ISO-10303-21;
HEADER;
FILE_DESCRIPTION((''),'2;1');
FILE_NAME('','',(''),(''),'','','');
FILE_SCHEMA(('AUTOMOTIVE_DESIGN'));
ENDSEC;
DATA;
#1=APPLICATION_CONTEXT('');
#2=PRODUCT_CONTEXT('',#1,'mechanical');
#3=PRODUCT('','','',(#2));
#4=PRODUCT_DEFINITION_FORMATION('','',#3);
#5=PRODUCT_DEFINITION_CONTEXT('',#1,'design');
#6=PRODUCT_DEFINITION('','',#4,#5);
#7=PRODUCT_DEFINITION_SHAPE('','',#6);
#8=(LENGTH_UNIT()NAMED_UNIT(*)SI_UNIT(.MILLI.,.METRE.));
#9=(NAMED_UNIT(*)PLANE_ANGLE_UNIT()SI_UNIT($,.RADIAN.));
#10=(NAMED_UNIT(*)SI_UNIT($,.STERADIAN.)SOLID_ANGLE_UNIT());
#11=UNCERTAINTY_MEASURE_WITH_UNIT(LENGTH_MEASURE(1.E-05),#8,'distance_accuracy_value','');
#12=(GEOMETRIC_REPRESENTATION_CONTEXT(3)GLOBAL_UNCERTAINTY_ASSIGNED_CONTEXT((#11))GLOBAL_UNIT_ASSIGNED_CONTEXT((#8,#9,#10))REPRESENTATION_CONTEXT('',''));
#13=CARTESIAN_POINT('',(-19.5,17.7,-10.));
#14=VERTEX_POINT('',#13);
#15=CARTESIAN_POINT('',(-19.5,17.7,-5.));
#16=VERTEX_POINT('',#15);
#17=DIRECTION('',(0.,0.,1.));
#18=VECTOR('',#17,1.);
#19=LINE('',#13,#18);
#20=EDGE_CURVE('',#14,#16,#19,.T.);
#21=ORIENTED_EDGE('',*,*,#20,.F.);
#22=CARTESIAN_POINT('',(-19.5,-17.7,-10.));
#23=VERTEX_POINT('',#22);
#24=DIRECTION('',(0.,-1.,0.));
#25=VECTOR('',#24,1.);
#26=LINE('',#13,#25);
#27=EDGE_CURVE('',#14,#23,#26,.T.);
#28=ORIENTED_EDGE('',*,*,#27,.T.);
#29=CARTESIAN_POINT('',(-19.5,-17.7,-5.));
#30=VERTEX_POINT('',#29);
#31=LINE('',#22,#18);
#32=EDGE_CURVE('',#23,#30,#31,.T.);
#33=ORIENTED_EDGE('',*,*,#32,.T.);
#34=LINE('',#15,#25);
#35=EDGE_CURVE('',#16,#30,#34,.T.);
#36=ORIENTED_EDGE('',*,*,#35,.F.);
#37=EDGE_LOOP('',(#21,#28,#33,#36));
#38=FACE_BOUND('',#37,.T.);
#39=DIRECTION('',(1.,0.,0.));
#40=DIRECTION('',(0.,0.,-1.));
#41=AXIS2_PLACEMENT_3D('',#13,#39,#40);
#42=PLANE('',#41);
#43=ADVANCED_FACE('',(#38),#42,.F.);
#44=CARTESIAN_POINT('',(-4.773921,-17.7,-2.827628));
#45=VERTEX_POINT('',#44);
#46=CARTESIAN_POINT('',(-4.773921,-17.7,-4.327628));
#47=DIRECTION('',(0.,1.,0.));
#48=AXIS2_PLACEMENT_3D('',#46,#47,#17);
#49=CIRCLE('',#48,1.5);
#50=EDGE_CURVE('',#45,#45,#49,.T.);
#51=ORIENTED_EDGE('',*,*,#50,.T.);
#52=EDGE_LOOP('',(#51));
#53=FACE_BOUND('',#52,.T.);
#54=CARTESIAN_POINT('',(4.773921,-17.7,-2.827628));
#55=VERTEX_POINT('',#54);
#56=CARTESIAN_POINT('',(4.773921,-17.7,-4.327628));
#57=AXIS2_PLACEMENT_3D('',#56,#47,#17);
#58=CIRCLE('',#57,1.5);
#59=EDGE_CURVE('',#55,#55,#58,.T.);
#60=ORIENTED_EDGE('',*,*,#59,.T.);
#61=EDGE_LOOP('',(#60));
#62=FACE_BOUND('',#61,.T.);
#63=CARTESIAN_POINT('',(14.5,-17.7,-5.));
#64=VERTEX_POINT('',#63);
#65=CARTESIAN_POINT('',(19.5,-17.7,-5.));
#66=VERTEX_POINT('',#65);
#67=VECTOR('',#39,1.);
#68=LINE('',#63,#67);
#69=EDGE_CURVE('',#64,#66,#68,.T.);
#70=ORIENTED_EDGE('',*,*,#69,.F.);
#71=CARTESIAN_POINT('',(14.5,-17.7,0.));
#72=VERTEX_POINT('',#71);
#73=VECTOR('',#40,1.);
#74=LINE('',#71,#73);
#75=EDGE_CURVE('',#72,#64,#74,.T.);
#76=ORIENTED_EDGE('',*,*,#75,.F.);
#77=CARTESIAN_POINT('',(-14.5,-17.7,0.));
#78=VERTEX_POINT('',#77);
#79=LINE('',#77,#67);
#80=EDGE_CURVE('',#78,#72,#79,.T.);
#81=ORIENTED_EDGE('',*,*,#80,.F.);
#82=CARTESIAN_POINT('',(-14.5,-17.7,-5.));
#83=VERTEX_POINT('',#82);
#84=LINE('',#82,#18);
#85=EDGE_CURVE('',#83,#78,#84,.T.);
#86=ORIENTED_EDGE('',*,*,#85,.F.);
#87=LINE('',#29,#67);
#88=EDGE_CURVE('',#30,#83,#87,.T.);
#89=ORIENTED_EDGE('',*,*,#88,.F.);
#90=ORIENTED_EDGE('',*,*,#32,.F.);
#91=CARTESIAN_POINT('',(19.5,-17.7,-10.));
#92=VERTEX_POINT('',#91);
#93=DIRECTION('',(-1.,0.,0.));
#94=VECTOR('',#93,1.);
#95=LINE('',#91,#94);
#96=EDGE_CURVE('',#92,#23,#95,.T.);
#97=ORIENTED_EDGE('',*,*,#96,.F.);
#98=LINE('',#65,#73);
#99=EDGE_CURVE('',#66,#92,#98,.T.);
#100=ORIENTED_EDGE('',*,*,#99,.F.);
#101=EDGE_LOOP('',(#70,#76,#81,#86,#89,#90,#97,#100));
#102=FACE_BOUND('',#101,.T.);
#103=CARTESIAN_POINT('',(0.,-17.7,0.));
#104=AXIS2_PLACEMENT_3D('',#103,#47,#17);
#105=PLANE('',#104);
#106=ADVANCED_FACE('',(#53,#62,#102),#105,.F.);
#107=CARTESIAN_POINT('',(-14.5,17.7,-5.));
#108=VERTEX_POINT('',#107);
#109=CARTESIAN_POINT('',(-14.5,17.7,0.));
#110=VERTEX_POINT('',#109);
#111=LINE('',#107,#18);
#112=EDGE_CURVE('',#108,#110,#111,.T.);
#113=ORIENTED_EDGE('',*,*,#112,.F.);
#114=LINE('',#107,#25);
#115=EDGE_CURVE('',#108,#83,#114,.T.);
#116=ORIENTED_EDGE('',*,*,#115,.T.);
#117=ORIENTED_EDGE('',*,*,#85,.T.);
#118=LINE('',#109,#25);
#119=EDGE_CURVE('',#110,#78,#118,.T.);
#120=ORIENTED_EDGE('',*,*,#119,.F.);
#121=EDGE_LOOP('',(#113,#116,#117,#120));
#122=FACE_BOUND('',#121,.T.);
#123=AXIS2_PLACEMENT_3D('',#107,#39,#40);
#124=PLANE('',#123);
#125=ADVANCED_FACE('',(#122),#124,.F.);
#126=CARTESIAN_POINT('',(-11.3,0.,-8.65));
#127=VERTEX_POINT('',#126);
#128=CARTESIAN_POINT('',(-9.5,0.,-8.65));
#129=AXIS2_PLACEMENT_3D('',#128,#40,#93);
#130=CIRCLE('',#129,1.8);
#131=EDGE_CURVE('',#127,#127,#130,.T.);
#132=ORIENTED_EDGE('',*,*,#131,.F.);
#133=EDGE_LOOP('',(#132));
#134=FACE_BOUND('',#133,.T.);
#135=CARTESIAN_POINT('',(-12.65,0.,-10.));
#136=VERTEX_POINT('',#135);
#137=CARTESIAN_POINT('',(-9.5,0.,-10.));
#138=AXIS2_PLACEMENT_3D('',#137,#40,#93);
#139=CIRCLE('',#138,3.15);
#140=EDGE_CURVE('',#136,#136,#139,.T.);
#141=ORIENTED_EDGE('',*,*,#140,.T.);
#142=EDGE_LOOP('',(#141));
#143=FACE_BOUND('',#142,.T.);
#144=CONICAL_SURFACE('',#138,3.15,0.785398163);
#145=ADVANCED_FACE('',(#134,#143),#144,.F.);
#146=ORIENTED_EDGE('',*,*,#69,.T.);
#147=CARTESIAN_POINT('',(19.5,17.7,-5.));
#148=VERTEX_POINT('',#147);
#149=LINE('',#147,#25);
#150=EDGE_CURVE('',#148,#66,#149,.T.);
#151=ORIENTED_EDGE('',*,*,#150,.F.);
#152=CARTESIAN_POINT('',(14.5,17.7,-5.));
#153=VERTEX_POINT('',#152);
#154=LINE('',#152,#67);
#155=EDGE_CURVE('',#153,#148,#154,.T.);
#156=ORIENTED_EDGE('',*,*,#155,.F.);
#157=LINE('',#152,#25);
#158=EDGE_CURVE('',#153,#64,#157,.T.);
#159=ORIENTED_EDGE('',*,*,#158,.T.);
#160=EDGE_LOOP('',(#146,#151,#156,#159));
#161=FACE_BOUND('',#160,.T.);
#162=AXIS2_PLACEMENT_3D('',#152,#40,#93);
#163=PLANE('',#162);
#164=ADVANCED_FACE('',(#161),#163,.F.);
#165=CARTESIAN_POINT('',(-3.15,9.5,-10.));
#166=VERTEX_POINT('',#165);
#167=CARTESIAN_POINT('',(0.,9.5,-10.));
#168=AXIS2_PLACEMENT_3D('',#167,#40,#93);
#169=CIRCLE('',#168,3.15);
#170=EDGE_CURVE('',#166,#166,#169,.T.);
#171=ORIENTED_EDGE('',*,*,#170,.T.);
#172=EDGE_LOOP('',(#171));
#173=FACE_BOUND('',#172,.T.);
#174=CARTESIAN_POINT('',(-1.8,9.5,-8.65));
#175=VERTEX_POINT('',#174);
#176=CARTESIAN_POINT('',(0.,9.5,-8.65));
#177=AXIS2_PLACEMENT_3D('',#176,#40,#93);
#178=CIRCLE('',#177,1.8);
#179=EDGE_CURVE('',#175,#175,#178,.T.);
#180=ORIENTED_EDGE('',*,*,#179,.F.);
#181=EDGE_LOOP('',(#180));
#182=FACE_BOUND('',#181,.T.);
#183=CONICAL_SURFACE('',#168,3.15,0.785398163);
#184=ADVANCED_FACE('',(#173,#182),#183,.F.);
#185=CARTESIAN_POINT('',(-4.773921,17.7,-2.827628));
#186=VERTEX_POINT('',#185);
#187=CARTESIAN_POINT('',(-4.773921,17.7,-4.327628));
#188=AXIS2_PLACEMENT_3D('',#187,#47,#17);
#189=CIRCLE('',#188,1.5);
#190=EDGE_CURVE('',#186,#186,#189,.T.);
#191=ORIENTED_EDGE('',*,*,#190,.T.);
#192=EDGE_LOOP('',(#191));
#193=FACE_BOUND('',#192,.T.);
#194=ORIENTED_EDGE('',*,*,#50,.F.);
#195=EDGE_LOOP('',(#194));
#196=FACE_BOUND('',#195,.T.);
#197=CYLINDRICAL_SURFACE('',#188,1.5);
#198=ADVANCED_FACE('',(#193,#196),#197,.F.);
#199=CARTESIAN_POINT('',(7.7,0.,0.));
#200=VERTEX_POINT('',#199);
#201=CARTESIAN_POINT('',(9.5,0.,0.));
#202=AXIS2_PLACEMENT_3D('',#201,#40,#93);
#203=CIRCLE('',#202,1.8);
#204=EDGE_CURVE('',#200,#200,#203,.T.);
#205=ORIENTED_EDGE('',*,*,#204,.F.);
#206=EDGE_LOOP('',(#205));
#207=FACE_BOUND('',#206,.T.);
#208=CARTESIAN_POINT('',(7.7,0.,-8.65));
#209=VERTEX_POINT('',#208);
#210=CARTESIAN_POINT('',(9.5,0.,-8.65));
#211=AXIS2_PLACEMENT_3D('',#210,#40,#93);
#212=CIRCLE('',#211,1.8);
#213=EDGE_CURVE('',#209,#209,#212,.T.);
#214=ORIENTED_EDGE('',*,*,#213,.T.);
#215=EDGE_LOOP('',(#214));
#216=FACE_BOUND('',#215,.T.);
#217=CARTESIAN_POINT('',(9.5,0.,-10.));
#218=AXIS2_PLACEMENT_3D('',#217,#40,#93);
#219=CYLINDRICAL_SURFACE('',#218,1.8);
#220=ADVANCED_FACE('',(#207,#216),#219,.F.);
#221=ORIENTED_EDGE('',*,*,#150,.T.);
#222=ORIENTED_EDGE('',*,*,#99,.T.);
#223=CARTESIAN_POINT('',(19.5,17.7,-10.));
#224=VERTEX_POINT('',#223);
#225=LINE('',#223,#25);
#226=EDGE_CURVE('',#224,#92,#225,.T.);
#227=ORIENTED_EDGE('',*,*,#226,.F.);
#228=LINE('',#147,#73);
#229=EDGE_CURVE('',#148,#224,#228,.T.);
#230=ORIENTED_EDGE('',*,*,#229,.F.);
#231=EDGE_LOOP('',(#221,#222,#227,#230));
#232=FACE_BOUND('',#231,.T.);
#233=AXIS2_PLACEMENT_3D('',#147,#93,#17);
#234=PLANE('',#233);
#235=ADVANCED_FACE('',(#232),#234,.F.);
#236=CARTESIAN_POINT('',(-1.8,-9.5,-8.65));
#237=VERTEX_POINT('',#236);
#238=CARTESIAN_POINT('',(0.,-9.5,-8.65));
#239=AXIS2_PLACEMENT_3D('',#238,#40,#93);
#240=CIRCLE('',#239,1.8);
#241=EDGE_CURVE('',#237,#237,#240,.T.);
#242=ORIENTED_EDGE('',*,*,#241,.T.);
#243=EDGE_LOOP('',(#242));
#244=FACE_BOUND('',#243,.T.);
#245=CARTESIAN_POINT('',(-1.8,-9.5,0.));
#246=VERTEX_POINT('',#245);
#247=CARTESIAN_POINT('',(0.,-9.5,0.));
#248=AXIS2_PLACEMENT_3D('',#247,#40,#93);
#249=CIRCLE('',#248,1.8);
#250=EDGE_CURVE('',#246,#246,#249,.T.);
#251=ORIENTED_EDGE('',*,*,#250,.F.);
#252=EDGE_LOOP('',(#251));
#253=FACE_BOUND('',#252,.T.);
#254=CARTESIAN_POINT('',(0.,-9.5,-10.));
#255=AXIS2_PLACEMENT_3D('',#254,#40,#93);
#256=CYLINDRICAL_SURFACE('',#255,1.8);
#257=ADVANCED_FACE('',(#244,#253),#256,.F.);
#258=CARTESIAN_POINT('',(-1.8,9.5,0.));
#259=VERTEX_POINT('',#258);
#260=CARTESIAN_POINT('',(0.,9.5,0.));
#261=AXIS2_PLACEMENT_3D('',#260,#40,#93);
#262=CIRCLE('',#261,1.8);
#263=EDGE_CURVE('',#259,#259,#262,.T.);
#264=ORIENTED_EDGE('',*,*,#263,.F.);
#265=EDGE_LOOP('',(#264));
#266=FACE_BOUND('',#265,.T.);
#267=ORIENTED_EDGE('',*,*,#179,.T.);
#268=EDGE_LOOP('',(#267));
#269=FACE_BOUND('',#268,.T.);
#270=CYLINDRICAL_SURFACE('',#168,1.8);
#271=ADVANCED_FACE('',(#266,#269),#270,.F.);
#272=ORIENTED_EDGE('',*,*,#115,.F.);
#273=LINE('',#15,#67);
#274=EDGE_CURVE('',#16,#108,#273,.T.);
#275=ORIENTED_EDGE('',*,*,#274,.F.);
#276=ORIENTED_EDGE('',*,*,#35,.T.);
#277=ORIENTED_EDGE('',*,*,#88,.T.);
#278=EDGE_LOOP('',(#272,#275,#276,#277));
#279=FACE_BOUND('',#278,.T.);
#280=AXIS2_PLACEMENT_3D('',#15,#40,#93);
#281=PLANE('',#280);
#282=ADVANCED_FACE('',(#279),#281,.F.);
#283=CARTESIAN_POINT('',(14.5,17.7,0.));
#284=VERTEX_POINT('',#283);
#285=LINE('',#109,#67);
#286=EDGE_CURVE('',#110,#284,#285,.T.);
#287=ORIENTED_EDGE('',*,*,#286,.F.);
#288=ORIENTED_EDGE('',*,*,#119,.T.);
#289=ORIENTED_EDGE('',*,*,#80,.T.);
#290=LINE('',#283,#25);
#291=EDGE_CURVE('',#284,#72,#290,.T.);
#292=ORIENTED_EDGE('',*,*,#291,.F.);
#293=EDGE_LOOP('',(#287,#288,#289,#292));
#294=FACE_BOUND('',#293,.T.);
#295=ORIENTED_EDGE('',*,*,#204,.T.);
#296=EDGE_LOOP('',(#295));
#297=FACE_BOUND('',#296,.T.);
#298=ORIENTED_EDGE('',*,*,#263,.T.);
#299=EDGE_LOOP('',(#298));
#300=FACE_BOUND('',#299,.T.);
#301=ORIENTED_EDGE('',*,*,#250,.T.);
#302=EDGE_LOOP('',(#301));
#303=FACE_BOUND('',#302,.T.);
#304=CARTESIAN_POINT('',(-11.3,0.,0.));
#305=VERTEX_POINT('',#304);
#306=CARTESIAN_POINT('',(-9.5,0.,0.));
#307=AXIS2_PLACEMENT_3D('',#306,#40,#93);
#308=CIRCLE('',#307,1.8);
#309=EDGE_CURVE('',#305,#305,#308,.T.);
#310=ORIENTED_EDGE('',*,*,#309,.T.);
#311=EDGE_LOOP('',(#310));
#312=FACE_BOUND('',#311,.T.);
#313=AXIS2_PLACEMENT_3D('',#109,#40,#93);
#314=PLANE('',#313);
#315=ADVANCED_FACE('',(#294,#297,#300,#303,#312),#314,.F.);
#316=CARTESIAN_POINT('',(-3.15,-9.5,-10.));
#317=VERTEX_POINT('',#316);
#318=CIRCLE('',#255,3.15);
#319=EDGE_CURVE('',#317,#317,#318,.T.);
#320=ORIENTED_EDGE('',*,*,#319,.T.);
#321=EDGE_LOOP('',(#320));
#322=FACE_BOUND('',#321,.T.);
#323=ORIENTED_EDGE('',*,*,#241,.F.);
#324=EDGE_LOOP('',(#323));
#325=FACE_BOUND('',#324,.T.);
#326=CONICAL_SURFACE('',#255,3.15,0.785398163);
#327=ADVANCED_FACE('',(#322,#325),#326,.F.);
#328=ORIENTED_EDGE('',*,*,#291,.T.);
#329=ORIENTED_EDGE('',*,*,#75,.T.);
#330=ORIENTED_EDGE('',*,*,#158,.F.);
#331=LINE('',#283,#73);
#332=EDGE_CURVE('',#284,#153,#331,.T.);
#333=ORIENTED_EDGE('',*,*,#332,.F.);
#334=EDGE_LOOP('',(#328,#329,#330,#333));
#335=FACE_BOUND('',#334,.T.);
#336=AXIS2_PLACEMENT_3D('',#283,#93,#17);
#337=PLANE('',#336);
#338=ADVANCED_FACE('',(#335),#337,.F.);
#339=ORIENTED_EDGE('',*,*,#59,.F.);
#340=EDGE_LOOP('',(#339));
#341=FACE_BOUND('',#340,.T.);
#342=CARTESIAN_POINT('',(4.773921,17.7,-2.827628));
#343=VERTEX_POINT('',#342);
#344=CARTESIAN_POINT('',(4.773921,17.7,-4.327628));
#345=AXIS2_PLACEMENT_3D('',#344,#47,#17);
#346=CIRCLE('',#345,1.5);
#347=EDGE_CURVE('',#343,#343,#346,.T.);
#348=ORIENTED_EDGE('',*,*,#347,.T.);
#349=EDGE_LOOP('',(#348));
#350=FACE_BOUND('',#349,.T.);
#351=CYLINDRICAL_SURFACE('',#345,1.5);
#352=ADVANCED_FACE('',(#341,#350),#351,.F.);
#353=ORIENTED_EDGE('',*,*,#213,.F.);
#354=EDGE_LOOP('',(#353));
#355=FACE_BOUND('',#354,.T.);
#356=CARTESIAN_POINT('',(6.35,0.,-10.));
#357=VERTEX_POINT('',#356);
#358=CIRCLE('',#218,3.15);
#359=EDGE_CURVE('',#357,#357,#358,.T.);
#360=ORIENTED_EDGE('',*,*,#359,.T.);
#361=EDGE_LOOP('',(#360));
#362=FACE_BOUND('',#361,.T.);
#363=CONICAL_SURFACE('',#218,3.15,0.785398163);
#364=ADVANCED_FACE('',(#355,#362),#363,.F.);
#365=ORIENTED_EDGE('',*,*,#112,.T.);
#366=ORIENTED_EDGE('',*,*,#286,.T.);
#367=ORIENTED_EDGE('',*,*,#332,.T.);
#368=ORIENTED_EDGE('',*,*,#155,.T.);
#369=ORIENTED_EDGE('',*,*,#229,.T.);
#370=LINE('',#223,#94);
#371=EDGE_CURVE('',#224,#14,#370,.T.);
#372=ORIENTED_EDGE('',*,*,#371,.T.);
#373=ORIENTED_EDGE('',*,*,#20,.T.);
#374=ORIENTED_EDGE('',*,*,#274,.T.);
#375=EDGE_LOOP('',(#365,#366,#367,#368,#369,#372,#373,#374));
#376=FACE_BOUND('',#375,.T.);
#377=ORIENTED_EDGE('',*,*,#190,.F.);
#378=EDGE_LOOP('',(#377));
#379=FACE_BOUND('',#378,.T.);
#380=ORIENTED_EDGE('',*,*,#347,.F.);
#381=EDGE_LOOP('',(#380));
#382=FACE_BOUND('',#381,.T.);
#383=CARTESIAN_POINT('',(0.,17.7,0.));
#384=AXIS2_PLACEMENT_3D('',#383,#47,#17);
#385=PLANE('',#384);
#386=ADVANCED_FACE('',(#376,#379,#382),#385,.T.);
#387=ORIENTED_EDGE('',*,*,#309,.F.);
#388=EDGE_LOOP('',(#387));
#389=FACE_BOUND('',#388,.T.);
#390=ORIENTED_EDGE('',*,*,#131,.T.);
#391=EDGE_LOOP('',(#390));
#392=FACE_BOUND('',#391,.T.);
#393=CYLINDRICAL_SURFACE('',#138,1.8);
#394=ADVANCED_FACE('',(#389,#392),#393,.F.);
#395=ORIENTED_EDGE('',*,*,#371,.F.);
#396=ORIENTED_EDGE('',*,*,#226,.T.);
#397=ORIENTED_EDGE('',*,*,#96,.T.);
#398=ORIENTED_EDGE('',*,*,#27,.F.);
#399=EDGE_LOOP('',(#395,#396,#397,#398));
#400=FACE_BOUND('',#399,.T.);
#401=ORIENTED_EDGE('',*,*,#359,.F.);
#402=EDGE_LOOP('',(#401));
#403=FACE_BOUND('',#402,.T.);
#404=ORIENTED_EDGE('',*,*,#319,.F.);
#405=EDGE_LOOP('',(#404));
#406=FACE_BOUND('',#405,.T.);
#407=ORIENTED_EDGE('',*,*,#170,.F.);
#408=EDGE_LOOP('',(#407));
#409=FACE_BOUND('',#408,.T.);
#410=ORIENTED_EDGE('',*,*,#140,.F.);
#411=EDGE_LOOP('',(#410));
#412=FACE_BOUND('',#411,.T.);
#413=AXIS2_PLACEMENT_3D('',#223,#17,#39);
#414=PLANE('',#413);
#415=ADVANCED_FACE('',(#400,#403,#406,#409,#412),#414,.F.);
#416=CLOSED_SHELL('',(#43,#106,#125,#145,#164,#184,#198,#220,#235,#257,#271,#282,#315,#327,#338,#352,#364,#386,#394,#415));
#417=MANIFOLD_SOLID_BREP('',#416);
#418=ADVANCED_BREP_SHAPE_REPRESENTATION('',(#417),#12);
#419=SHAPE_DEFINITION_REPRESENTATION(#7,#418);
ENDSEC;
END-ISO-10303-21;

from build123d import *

# Parameters (mm, degrees)
BOSS_EXTRUDE1_DEPTH                             = 17.7
CSK_FOR_M3_FLAT_HEAD_MACHINE_SCREW1_D           = 3.6
CSK_FOR_M3_FLAT_HEAD_MACHINE_SCREW1_CSINK_D     = 6.3
CSK_FOR_M3_FLAT_HEAD_MACHINE_SCREW1_CSINK_ANGLE = 90
F_3_0MM_PRESS_DOWEL_HOLE1_D                     = 3


with BuildPart() as part:
    # Sketch1 → Boss-Extrude1 (new, symmetric)
    with BuildSketch(Plane(origin=(0, 0, 0), x_dir=(1, 0, 0), z_dir=(0, 1, 0))):
        Polygon((-14.5, 0), (14.5, 0), (14.5, 5), (19.5, 5), (19.5, 10), (-19.5, 10), (-19.5, 5), (-14.5, 5), align=None)
    extrude(amount=BOSS_EXTRUDE1_DEPTH, both=True)

    # CSK for M3 Flat Head Machine Screw1 (through all)
    with Locations(Plane(origin=(0, 0, -10), x_dir=(-1, 0, 0), z_dir=(0, 0, -1))):
        with Locations((0, 9.5), (-9.5, 0), (9.5, 0), (0, -9.5)):
            CounterSinkHole(CSK_FOR_M3_FLAT_HEAD_MACHINE_SCREW1_D / 2, CSK_FOR_M3_FLAT_HEAD_MACHINE_SCREW1_CSINK_D / 2, counter_sink_angle=CSK_FOR_M3_FLAT_HEAD_MACHINE_SCREW1_CSINK_ANGLE)

    # Ø3.0mm Press Dowel Hole1 (through all)
    with Locations(Plane(origin=(-4.77392109, 17.7, -4.32762779), x_dir=(0, 0, 1), z_dir=(0, 1, 0))):
        with Locations((0, 0), (0, 9.54784218)):
            Hole(F_3_0MM_PRESS_DOWEL_HOLE1_D / 2)


solid = part.part
